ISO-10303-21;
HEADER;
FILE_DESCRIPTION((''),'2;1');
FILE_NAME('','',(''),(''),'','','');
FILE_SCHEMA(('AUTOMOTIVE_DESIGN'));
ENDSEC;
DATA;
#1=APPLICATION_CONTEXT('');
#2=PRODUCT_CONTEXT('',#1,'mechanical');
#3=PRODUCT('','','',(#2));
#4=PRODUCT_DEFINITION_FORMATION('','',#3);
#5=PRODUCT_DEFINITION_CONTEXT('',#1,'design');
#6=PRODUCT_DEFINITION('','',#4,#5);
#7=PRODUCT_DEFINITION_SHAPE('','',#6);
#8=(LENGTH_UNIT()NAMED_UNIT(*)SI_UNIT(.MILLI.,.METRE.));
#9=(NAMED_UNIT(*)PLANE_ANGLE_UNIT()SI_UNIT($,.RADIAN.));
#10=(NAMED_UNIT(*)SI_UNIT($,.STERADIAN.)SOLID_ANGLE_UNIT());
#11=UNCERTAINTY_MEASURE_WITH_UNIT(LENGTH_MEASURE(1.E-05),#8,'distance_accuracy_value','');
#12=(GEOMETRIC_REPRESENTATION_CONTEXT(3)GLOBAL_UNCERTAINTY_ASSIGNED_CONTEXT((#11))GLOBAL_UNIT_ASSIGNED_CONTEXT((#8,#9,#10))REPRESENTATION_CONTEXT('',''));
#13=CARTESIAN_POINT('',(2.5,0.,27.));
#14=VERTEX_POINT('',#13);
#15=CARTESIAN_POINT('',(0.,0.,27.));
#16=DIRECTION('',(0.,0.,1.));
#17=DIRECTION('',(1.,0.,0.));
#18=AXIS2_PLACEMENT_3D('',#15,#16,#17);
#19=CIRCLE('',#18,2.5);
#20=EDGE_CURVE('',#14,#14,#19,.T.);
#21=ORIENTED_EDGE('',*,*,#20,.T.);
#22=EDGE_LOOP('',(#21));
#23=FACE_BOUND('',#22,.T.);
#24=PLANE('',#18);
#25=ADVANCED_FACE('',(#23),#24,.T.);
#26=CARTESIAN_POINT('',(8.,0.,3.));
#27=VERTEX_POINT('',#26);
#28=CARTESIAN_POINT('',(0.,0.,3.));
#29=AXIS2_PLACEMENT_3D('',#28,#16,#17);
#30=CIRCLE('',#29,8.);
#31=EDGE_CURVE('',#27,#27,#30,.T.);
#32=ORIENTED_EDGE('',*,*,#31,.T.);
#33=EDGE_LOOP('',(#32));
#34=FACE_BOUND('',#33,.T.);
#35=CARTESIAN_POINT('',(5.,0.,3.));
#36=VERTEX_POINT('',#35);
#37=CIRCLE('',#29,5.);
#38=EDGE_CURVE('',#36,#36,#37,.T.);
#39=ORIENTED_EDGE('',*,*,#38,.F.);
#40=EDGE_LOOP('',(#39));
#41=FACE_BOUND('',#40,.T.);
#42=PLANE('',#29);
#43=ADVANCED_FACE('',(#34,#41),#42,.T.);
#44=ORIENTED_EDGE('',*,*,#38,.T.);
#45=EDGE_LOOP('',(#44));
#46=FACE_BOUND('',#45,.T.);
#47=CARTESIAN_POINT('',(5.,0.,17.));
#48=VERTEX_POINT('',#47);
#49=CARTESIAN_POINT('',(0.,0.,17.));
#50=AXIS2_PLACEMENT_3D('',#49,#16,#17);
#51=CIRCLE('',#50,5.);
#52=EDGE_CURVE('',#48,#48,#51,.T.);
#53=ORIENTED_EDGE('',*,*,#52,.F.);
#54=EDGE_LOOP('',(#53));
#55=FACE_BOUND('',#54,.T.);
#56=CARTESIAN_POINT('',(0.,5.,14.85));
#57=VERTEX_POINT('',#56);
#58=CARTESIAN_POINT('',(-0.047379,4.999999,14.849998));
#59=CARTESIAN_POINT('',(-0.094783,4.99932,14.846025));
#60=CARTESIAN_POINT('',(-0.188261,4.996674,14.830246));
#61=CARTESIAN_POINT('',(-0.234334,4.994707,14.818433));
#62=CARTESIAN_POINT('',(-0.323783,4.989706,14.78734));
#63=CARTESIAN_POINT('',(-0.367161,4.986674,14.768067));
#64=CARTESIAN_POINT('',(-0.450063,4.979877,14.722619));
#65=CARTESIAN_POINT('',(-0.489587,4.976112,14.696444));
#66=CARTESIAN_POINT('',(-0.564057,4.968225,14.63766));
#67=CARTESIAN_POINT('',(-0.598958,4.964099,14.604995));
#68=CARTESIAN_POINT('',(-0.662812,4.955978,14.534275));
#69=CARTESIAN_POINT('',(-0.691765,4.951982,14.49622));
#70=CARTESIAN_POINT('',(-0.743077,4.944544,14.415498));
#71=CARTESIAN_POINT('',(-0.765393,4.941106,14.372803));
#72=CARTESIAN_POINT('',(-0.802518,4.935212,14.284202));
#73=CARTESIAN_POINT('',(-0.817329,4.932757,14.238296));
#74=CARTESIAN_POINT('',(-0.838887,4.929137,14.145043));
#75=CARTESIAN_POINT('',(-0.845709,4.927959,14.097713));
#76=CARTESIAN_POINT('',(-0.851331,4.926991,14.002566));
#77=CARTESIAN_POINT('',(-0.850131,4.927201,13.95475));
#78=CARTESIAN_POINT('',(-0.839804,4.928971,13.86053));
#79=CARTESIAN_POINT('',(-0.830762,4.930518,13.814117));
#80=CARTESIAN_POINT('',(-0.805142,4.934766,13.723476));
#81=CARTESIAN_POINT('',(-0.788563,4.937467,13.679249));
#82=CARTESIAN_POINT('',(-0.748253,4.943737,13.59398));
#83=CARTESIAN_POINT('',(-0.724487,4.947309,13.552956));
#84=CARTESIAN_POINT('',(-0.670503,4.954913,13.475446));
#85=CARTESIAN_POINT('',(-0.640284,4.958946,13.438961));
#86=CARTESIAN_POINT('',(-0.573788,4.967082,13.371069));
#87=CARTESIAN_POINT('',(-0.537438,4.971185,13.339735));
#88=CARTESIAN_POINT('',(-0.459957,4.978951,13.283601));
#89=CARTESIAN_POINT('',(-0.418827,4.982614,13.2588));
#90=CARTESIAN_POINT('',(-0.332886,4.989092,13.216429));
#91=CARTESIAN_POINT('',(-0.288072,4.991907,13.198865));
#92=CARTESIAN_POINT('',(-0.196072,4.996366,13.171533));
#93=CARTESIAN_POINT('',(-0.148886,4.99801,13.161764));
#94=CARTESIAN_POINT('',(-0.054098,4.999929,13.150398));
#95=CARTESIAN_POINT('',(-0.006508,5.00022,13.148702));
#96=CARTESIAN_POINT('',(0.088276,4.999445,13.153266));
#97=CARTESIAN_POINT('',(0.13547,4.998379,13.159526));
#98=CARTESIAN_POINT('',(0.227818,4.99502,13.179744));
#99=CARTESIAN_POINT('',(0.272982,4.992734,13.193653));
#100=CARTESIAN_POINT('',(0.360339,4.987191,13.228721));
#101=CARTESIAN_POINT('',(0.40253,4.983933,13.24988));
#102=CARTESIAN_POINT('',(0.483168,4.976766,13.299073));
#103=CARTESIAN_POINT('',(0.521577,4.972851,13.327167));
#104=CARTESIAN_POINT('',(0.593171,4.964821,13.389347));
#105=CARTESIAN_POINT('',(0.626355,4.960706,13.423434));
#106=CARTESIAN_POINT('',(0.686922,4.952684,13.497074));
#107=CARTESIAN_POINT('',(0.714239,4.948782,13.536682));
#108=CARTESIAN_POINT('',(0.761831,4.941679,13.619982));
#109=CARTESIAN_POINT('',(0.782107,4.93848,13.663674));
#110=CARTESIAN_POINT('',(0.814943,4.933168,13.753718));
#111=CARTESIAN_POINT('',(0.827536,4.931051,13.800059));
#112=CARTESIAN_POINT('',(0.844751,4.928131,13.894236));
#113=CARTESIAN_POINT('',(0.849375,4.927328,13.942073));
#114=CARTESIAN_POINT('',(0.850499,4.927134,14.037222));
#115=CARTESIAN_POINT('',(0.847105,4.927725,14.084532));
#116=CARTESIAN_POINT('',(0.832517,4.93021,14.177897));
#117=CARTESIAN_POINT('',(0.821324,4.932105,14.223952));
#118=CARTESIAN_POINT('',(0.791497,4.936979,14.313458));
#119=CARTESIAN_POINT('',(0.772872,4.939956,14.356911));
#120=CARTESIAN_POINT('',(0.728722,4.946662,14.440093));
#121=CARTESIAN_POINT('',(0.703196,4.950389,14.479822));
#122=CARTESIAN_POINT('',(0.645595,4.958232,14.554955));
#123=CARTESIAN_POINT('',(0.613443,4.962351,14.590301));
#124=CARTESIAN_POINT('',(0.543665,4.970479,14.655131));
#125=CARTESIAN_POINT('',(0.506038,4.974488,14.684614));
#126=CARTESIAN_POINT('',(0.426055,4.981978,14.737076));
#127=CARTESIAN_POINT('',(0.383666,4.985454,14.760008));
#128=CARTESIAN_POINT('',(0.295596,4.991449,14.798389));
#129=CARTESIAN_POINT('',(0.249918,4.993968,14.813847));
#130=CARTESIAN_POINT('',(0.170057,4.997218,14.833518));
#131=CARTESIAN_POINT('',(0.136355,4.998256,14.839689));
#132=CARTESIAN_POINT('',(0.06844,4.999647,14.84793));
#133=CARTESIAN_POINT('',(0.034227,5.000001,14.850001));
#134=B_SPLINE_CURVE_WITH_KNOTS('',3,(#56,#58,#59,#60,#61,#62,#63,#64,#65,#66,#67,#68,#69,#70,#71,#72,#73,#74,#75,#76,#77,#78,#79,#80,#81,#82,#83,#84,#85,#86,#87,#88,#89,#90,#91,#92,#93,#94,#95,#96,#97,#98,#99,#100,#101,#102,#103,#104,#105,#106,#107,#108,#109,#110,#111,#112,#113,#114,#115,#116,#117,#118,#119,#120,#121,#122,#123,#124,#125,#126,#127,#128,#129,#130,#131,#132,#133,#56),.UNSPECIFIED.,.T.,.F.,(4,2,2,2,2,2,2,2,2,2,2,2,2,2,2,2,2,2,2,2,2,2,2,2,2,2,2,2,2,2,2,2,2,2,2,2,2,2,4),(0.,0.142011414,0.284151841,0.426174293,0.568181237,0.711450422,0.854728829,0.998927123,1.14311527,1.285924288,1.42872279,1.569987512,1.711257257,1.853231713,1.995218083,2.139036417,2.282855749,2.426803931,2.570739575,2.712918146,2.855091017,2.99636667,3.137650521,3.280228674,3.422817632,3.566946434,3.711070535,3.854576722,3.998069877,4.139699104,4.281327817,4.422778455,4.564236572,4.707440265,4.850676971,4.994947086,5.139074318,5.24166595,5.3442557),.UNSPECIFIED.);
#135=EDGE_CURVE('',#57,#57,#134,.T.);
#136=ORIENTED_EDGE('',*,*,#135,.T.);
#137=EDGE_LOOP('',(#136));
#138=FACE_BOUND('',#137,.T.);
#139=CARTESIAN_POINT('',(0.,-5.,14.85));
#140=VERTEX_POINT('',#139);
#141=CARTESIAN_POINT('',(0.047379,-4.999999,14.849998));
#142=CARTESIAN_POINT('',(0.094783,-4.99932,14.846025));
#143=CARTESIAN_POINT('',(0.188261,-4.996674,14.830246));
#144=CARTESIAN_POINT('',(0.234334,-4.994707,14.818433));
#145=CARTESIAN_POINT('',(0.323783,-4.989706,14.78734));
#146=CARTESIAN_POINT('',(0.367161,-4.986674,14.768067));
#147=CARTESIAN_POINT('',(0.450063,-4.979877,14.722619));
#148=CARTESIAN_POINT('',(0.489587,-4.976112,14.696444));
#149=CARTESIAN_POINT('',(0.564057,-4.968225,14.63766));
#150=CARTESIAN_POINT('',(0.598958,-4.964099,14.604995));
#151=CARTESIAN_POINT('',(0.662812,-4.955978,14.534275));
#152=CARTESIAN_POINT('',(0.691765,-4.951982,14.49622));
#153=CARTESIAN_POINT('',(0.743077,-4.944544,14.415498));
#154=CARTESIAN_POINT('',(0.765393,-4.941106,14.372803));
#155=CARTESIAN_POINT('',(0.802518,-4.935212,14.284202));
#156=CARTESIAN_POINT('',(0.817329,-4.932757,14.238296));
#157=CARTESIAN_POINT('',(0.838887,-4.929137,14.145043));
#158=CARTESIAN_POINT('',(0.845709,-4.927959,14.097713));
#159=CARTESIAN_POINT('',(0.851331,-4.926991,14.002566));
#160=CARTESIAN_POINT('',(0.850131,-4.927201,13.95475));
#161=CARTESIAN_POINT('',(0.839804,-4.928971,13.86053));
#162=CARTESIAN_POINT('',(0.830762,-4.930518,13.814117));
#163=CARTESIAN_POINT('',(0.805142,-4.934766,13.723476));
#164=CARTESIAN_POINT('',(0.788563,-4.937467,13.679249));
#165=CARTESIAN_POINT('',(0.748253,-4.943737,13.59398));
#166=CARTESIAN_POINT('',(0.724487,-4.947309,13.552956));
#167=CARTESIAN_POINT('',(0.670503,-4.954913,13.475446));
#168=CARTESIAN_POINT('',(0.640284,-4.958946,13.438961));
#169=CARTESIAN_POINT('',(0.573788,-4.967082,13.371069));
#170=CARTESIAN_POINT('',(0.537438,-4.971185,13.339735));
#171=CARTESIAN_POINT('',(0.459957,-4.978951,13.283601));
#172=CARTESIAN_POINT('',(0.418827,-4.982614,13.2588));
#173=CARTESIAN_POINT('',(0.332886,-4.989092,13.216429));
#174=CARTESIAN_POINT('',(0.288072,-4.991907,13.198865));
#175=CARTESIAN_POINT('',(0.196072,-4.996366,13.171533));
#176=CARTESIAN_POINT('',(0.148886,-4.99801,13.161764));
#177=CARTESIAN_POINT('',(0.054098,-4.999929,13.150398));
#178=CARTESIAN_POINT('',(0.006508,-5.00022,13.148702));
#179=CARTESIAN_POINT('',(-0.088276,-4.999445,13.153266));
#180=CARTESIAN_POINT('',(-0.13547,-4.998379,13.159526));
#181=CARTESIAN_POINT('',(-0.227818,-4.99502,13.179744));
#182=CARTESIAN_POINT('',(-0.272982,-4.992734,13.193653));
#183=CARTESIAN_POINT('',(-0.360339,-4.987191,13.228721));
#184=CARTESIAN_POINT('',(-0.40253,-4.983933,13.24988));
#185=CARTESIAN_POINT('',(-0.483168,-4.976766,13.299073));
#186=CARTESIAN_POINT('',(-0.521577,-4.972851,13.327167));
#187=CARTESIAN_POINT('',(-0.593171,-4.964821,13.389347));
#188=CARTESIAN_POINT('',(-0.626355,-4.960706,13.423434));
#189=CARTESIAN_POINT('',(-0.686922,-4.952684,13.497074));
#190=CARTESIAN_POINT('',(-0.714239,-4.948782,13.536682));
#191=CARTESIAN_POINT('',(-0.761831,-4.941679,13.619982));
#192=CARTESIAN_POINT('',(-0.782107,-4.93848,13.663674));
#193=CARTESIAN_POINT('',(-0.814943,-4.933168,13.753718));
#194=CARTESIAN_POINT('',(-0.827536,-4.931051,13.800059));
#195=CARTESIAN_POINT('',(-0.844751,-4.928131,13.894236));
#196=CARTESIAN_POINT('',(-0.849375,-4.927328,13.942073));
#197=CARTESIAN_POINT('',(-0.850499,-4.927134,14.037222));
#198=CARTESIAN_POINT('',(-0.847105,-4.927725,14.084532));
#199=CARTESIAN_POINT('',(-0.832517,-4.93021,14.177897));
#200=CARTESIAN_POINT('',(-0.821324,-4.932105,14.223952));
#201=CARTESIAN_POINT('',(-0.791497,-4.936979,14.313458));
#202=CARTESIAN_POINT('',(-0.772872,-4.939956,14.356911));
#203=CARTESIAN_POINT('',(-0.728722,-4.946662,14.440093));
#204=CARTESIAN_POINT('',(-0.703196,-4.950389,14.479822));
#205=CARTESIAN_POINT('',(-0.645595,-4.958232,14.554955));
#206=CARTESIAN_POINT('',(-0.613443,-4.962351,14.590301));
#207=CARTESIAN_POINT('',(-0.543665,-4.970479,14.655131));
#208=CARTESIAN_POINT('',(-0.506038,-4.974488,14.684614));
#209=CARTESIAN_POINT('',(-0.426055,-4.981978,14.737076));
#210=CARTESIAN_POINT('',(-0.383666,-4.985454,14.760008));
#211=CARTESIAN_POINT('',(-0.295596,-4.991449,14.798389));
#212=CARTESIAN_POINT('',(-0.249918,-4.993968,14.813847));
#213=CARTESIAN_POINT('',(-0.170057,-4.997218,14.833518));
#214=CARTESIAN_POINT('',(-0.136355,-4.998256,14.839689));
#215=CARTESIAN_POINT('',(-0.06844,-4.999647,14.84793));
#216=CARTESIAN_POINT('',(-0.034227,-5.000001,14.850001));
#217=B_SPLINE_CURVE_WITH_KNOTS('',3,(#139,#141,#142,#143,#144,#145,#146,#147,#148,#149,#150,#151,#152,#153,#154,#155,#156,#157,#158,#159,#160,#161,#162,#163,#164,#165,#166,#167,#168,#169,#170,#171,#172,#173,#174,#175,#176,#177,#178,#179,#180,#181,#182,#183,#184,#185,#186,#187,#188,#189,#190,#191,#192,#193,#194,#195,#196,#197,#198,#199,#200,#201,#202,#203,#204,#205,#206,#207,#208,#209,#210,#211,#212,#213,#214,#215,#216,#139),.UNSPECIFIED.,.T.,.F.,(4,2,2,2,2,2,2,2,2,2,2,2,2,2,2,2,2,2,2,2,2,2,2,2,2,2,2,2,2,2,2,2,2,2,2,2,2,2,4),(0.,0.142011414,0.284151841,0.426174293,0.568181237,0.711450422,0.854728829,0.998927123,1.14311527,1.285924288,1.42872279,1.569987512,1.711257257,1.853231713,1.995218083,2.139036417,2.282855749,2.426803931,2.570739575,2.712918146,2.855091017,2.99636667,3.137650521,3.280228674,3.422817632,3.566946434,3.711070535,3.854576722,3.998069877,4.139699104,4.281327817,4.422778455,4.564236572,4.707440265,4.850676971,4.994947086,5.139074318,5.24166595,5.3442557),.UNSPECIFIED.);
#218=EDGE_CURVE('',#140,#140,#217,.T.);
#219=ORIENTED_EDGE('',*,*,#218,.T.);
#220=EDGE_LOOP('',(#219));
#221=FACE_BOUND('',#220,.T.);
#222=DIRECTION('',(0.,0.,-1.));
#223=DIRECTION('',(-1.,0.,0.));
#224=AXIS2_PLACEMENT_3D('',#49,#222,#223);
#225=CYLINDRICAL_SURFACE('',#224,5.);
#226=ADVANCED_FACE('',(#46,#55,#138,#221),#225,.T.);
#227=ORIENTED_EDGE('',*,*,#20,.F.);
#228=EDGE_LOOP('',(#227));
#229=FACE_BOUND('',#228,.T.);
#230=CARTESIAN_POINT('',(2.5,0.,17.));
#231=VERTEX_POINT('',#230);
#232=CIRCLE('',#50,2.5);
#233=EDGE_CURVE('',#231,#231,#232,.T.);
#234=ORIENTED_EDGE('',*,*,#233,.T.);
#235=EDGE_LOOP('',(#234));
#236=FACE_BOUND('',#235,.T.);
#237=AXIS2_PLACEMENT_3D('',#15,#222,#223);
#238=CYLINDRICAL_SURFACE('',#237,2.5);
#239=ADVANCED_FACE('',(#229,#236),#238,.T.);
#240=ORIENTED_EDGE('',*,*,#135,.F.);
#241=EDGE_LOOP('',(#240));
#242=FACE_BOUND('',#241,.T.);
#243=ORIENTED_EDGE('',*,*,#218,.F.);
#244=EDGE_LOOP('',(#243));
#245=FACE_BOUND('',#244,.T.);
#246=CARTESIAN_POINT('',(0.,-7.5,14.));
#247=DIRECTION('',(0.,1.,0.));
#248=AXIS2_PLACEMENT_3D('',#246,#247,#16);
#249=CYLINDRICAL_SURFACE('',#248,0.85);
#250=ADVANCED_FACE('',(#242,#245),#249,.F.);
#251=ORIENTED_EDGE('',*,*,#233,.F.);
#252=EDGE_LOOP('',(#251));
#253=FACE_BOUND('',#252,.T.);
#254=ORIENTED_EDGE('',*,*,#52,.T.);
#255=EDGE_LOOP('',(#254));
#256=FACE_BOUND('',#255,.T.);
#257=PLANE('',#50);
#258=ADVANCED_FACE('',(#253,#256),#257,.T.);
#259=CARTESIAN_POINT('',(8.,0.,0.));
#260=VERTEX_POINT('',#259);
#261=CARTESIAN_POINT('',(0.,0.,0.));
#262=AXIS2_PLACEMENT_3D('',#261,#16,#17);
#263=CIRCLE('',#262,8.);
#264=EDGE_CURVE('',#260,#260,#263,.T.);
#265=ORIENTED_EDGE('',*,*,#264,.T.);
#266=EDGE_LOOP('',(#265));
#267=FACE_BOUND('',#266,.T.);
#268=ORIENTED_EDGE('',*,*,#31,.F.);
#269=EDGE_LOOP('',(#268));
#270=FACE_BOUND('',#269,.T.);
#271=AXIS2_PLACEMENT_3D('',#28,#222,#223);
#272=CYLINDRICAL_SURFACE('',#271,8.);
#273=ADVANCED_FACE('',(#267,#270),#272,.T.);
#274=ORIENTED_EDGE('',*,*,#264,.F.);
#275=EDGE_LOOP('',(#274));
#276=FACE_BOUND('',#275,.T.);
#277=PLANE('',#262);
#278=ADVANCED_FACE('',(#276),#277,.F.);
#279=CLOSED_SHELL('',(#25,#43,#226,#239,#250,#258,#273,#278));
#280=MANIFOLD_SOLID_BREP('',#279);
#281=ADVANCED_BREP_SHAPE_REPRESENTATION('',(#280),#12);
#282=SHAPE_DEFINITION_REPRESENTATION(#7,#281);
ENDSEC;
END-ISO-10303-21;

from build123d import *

# Parameters (mm, degrees)
SKETCH1_R           = 8
BOSS_EXTRUDE1_DEPTH = 3
SKETCH2_R           = 5
BOSS_EXTRUDE2_DEPTH = 14
SKETCH3_R           = 2.5
BOSS_EXTRUDE3_DEPTH = 10
SKETCH4_R           = 0.85
CUT_EXTRUDE1_DEPTH  = 7.5


with BuildPart() as part:
    # Sketch1 → Boss-Extrude1 (new body)
    with BuildSketch(Plane.XY):
        Circle(SKETCH1_R)
    extrude(amount=BOSS_EXTRUDE1_DEPTH)

    # Sketch2 → Boss-Extrude2 (add)
    with BuildSketch(Plane.XY.offset(3)):
        Circle(SKETCH2_R)
    extrude(amount=BOSS_EXTRUDE2_DEPTH)

    # Sketch3 → Boss-Extrude3 (add)
    with BuildSketch(Plane.XY.offset(17)):
        Circle(SKETCH3_R)
    extrude(amount=BOSS_EXTRUDE3_DEPTH)

    # Sketch4 → Cut-Extrude1 (cut, symmetric)
    with BuildSketch(Plane(origin=(0, 0, 0), x_dir=(1, 0, 0), z_dir=(0, 1, 0))):
        with Locations((0, -14)):
            Circle(SKETCH4_R)
    extrude(amount=CUT_EXTRUDE1_DEPTH, both=True, mode=Mode.SUBTRACT)


solid = part.part
